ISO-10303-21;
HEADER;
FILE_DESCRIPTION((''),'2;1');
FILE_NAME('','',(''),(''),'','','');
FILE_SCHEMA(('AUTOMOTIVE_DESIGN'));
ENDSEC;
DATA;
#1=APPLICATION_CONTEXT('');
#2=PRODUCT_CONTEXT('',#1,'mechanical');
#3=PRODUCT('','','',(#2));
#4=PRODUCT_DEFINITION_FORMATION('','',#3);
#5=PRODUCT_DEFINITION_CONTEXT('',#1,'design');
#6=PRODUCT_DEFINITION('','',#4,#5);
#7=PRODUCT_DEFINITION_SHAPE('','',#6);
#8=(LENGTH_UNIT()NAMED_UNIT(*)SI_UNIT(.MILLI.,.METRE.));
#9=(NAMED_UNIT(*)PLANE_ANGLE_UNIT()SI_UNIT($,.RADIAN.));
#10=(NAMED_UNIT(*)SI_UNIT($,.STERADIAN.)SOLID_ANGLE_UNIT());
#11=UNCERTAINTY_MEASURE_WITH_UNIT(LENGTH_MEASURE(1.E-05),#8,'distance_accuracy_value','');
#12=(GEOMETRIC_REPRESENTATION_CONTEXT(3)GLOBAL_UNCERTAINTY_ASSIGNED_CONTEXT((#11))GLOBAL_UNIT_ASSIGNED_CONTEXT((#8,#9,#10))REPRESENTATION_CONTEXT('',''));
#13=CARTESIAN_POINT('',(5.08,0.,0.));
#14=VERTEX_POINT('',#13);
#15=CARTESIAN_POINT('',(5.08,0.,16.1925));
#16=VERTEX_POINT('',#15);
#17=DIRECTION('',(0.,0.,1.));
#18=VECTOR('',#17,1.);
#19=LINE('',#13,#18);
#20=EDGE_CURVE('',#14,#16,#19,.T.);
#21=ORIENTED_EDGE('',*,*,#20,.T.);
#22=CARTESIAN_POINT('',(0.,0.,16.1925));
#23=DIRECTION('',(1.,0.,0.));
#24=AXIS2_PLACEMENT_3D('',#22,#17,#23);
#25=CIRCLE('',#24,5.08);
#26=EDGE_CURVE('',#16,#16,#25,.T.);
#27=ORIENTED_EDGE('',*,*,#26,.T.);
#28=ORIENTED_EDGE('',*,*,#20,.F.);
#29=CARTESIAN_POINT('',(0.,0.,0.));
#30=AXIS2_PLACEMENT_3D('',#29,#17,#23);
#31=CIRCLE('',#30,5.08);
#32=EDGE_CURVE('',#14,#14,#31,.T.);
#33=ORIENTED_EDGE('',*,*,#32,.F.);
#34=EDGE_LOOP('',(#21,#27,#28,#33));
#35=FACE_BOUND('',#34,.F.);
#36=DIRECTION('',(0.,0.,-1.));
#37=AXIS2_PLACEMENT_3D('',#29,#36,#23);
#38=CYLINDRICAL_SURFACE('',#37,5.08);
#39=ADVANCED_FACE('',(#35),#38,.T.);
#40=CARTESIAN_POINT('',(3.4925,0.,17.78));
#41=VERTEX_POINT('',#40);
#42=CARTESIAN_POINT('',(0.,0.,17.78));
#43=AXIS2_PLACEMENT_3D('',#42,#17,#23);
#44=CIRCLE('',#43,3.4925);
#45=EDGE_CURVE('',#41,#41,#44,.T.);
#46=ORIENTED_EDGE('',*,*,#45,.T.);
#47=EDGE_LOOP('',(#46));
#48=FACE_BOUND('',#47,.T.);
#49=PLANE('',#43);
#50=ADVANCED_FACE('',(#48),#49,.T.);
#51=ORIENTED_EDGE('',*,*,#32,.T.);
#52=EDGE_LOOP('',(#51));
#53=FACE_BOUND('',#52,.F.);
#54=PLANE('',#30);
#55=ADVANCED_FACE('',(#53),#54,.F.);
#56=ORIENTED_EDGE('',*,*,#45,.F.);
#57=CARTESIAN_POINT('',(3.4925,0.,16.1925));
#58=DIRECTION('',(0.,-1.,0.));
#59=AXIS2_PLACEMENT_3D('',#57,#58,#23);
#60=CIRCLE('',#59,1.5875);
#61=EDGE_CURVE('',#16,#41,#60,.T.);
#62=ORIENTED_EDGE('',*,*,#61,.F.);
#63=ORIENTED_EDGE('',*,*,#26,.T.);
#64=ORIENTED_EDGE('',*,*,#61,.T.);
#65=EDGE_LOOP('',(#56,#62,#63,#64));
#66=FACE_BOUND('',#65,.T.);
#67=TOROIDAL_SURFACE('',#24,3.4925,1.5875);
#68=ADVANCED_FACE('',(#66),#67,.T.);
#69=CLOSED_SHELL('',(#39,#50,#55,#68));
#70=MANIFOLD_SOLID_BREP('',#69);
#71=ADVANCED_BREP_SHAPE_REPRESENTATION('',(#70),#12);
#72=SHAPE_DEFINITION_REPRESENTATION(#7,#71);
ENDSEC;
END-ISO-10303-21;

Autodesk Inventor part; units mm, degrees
ref_plane "YZ Plane" through (0, 0, 0) normal (1, 0, 0) x (0, 1, 0)
ref_plane "XZ Plane" through (0, 0, 0) normal (0, 1, 0) x (-1, 0, 0)
ref_plane "XY Plane" through (0, 0, 0) normal (0, 0, 1) x (1, 0, 0)
sketch "Sketch1" plane through (0, 0, 0) normal (0, 0, 1) x (1, 0, 0)
  circle A0 centre (0, 0) radius 5.08
  dimension "d0" = 10.16
extrude "Extrusion1" add sketch "Sketch1" along normal blind 17.78
fillet "Fillet1" radius 1.5875 1 edges at (-5.08, 0, 17.78)
properties part number "Xbox360Button"
